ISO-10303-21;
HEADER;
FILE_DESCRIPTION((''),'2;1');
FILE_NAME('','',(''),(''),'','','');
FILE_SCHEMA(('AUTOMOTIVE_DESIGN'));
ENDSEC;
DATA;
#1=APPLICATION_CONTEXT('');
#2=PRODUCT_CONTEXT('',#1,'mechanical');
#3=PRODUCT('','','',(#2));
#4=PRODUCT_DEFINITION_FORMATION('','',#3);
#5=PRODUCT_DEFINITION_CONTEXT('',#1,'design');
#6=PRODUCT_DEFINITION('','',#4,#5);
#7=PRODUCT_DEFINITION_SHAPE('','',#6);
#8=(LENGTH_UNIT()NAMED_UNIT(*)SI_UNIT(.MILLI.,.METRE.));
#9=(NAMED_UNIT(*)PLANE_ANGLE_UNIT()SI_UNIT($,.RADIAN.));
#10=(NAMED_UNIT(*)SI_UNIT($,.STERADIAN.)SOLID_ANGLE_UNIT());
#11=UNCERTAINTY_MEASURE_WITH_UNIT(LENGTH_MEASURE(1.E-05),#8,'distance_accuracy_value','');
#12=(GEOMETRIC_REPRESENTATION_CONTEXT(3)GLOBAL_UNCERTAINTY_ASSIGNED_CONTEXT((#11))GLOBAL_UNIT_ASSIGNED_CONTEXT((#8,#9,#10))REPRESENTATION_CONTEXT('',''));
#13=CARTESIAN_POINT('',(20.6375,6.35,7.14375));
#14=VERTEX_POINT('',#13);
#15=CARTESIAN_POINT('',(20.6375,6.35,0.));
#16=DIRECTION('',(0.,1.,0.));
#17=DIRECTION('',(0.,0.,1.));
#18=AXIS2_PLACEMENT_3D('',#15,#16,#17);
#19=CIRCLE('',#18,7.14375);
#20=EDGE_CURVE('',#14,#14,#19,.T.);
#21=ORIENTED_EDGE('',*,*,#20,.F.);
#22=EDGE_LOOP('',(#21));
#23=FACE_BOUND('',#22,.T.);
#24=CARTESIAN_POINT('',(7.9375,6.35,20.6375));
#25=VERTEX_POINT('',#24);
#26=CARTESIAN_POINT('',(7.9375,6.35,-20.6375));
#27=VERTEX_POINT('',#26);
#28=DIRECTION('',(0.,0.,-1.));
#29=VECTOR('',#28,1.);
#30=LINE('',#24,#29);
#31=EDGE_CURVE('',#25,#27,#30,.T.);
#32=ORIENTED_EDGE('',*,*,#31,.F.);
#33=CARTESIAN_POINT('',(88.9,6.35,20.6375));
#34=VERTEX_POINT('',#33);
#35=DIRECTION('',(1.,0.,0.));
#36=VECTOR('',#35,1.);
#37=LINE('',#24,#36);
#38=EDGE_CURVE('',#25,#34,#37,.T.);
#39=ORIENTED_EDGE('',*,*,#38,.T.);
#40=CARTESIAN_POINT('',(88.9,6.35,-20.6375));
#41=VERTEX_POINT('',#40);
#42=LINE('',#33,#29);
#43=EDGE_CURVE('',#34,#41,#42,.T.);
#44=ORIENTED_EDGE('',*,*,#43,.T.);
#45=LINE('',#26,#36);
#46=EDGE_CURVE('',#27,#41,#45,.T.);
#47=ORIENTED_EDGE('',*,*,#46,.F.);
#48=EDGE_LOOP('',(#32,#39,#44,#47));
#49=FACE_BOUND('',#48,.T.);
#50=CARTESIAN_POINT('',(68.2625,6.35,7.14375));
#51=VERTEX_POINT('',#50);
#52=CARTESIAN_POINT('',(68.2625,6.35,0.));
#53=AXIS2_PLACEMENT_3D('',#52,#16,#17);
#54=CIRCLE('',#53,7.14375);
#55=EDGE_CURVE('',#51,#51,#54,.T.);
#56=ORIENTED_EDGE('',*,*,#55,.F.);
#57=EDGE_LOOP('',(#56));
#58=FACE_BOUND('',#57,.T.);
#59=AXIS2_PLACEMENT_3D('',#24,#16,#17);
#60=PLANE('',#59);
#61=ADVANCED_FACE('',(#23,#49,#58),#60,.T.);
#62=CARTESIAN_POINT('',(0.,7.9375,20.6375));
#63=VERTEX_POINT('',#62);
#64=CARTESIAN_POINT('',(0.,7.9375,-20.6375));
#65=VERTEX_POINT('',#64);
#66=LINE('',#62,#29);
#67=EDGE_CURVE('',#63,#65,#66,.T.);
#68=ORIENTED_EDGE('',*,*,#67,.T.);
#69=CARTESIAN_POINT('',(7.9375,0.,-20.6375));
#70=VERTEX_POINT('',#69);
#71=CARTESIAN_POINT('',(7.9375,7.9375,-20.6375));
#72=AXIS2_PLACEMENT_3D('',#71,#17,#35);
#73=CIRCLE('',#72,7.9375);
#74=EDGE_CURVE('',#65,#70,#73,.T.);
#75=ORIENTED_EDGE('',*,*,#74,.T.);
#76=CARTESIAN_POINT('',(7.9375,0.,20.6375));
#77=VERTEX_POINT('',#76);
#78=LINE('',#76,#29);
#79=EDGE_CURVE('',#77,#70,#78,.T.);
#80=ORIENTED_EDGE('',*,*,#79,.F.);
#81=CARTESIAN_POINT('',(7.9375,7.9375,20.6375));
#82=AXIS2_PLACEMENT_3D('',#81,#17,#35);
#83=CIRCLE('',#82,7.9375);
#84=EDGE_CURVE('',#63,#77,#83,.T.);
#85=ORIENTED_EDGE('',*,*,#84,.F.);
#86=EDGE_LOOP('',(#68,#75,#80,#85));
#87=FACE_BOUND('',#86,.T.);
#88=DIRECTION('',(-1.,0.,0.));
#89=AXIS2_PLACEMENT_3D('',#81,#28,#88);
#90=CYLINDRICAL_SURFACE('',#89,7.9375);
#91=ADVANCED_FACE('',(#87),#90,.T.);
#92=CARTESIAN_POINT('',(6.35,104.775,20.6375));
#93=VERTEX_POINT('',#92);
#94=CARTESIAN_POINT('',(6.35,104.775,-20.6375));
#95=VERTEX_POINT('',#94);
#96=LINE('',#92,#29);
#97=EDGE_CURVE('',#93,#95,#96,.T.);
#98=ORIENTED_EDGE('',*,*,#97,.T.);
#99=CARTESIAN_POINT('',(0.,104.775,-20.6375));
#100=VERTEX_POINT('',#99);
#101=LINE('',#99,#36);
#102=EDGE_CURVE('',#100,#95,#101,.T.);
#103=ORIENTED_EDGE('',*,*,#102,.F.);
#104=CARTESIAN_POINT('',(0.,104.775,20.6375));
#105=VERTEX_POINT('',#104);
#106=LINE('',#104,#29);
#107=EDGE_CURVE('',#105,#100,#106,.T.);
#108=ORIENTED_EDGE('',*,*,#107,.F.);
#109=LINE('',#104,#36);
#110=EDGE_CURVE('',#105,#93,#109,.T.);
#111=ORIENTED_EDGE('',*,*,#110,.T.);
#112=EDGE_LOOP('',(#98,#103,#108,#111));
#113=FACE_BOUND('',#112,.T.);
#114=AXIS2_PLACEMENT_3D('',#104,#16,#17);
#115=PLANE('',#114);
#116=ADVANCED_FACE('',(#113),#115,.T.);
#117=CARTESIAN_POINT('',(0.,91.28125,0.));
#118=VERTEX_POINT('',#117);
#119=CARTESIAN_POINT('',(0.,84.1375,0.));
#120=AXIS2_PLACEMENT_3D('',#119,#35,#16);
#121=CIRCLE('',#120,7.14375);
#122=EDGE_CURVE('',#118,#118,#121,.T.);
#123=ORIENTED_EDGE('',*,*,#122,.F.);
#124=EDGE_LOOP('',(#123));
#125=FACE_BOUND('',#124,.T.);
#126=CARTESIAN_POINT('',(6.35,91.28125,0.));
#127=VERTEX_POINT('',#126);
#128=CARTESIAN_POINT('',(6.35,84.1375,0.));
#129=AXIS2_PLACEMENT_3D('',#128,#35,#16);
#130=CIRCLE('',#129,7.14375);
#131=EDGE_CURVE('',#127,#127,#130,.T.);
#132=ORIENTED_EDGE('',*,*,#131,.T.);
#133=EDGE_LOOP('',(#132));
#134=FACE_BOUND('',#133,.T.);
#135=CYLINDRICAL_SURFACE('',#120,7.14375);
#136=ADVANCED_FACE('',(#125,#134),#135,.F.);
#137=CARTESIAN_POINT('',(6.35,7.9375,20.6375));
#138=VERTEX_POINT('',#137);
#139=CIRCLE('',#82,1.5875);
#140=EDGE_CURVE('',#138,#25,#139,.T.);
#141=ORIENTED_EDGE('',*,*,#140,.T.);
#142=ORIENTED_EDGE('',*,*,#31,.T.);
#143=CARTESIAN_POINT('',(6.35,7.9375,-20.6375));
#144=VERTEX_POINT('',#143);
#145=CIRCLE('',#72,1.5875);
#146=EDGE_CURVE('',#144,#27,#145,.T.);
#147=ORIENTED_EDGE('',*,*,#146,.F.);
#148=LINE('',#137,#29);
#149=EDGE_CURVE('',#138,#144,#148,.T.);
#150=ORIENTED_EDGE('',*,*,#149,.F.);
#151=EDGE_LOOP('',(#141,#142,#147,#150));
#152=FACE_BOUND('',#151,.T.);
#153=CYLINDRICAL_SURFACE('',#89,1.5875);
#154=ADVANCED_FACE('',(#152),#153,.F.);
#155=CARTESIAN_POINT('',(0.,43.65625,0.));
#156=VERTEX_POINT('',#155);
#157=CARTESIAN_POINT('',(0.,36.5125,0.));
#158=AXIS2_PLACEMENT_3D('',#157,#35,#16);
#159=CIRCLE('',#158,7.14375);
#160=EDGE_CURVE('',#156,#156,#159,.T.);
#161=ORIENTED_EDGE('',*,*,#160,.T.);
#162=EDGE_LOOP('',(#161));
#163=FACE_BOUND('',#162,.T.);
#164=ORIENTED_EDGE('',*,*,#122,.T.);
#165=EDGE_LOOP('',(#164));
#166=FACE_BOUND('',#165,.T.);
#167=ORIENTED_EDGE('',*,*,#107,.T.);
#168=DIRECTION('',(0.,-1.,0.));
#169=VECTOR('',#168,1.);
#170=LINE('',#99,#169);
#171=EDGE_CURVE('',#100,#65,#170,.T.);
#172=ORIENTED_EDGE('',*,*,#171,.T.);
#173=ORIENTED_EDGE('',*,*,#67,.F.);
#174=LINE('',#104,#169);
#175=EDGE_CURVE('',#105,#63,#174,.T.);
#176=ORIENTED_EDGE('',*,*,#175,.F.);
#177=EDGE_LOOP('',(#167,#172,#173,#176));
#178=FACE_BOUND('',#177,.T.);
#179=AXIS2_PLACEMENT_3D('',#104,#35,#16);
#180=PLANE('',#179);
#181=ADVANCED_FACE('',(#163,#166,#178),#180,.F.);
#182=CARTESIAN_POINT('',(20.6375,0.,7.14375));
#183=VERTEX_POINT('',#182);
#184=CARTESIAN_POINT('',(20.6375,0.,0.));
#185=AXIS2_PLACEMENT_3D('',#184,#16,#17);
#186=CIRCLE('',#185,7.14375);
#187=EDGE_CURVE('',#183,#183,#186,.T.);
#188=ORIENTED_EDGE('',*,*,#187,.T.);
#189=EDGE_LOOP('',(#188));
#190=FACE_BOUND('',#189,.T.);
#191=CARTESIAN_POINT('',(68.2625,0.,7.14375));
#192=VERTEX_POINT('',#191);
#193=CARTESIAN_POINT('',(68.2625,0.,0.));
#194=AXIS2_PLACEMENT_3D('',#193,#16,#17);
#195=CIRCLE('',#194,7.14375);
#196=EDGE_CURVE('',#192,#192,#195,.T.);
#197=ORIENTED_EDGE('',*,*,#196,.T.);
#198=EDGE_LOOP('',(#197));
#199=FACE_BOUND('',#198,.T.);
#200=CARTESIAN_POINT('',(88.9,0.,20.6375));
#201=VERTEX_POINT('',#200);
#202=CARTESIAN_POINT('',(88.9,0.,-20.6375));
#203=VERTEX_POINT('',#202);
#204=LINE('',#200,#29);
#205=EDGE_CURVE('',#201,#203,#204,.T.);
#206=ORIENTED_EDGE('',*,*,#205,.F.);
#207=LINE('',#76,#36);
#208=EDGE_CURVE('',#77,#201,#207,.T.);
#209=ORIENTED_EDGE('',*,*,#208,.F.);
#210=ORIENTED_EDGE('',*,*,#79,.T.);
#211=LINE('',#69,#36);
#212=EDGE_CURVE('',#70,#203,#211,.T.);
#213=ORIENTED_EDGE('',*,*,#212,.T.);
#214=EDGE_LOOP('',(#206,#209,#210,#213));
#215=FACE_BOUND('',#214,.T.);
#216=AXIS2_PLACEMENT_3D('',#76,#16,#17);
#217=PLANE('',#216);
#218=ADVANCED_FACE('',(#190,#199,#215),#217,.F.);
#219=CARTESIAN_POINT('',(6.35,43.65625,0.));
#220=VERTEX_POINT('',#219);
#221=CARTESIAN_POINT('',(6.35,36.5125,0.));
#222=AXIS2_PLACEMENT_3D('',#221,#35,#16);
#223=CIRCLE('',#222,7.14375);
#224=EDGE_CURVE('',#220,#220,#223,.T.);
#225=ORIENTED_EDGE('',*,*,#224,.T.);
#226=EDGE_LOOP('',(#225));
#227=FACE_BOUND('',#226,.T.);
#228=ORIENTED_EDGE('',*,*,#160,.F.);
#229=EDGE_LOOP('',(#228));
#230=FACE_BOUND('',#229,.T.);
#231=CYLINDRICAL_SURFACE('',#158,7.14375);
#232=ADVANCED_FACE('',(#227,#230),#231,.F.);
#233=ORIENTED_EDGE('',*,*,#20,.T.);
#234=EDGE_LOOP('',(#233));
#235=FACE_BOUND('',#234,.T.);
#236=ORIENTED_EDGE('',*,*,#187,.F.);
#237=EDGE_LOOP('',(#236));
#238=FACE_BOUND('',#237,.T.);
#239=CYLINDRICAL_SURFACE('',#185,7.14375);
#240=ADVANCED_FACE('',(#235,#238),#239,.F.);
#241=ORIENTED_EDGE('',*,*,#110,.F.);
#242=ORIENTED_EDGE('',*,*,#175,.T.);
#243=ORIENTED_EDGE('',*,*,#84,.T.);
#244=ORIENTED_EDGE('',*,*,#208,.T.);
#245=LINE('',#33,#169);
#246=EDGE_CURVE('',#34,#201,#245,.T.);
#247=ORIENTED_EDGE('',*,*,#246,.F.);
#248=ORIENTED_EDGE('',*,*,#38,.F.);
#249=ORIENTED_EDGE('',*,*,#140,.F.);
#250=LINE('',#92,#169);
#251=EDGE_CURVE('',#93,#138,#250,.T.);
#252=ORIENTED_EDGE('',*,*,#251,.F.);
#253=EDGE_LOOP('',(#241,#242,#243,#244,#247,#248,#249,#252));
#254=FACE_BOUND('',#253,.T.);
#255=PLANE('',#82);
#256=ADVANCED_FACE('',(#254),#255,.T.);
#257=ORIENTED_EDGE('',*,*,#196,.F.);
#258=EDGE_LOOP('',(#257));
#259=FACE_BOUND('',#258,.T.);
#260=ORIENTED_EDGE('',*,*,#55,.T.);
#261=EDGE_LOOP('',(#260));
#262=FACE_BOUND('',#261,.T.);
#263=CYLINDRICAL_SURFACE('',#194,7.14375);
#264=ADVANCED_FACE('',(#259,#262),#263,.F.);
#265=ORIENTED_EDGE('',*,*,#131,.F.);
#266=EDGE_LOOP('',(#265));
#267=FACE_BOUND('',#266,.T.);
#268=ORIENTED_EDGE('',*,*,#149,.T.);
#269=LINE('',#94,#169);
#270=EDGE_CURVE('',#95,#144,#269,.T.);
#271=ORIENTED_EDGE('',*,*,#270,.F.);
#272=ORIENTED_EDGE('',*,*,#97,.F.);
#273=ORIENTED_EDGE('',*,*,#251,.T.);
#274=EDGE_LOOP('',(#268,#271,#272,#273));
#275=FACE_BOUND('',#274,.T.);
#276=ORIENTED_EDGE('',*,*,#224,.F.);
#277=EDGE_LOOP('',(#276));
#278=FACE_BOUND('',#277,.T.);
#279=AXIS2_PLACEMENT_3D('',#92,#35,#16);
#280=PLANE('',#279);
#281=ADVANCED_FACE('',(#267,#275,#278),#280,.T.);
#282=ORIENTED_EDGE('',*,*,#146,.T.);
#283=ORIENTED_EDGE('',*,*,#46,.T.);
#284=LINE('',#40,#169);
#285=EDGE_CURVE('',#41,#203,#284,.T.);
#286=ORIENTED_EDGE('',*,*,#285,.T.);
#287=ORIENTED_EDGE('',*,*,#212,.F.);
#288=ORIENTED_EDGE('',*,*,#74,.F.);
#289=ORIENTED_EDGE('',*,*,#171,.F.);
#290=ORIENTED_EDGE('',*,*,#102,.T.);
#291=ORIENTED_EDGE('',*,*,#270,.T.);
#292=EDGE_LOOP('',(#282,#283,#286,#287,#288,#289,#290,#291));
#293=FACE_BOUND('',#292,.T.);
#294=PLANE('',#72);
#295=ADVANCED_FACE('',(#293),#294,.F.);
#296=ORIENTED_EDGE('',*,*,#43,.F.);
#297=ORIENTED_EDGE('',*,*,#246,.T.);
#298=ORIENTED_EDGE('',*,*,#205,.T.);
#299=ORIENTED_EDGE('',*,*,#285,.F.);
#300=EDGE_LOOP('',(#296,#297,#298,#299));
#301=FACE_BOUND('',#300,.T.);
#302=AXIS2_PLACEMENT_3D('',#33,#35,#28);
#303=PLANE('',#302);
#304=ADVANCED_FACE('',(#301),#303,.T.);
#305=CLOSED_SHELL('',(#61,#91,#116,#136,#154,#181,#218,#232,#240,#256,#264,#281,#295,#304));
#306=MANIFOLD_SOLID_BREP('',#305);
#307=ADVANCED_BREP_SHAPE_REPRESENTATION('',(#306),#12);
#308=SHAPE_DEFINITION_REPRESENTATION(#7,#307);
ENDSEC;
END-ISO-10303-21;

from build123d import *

# Parameters (mm, degrees)
EXTRUDE_THIN1_DEPTH = 20.6375
SKETCH2_R           = 7.14375
CUT_EXTRUDE1_DEPTH  = 135.225917882
SKETCH3_R           = 7.14375
CUT_EXTRUDE2_DEPTH  = 135.974847773


with BuildPart() as part:
    # Sketch1 → Extrude-Thin1 (new, symmetric)
    with BuildSketch(Plane.XY):
        with BuildLine():
            Line((0, 104.775), (0, 7.9375))
            ThreePointArc((0, 7.9375), (2.324839924, 2.324839924), (7.9375, 0))
            Line((7.9375, 0), (88.9, 0))
            Line((88.9, 0), (88.9, 6.35))
            Line((88.9, 6.35), (7.9375, 6.35))
            ThreePointArc((7.9375, 6.35), (6.814967985, 6.814967985), (6.35, 7.9375))
            Line((6.35, 7.9375), (6.35, 104.775))
            Line((6.35, 104.775), (0, 104.775))
        make_face()
    extrude(amount=EXTRUDE_THIN1_DEPTH, both=True)

    # Sketch2 → Cut-Extrude1 (cut, through all)
    with BuildSketch(Plane(origin=(0, 6.35, 0), x_dir=(1, 0, 0), z_dir=(0, 1, 0))):
        with Locations(Location((68.2625, 0, 0), (0, 0, 270))):
            Circle(SKETCH2_R)
        with Locations(Location((20.6375, 0, 0), (0, 0, 270))):
            Circle(SKETCH2_R)
    extrude(amount=-CUT_EXTRUDE1_DEPTH, mode=Mode.SUBTRACT)

    # Sketch3 → Cut-Extrude2 (cut, through all)
    with BuildSketch(Plane(origin=(6.35, 0, 0), x_dir=(0, 0, -1), z_dir=(1, 0, 0))):
        with Locations(Location((0, 84.1375, 0), (0, 0, 90))):
            Circle(SKETCH3_R)
        with Locations(Location((0, 36.5125, 0), (0, 0, 90))):
            Circle(SKETCH3_R)
    extrude(amount=-CUT_EXTRUDE2_DEPTH, mode=Mode.SUBTRACT)


solid = part.part
